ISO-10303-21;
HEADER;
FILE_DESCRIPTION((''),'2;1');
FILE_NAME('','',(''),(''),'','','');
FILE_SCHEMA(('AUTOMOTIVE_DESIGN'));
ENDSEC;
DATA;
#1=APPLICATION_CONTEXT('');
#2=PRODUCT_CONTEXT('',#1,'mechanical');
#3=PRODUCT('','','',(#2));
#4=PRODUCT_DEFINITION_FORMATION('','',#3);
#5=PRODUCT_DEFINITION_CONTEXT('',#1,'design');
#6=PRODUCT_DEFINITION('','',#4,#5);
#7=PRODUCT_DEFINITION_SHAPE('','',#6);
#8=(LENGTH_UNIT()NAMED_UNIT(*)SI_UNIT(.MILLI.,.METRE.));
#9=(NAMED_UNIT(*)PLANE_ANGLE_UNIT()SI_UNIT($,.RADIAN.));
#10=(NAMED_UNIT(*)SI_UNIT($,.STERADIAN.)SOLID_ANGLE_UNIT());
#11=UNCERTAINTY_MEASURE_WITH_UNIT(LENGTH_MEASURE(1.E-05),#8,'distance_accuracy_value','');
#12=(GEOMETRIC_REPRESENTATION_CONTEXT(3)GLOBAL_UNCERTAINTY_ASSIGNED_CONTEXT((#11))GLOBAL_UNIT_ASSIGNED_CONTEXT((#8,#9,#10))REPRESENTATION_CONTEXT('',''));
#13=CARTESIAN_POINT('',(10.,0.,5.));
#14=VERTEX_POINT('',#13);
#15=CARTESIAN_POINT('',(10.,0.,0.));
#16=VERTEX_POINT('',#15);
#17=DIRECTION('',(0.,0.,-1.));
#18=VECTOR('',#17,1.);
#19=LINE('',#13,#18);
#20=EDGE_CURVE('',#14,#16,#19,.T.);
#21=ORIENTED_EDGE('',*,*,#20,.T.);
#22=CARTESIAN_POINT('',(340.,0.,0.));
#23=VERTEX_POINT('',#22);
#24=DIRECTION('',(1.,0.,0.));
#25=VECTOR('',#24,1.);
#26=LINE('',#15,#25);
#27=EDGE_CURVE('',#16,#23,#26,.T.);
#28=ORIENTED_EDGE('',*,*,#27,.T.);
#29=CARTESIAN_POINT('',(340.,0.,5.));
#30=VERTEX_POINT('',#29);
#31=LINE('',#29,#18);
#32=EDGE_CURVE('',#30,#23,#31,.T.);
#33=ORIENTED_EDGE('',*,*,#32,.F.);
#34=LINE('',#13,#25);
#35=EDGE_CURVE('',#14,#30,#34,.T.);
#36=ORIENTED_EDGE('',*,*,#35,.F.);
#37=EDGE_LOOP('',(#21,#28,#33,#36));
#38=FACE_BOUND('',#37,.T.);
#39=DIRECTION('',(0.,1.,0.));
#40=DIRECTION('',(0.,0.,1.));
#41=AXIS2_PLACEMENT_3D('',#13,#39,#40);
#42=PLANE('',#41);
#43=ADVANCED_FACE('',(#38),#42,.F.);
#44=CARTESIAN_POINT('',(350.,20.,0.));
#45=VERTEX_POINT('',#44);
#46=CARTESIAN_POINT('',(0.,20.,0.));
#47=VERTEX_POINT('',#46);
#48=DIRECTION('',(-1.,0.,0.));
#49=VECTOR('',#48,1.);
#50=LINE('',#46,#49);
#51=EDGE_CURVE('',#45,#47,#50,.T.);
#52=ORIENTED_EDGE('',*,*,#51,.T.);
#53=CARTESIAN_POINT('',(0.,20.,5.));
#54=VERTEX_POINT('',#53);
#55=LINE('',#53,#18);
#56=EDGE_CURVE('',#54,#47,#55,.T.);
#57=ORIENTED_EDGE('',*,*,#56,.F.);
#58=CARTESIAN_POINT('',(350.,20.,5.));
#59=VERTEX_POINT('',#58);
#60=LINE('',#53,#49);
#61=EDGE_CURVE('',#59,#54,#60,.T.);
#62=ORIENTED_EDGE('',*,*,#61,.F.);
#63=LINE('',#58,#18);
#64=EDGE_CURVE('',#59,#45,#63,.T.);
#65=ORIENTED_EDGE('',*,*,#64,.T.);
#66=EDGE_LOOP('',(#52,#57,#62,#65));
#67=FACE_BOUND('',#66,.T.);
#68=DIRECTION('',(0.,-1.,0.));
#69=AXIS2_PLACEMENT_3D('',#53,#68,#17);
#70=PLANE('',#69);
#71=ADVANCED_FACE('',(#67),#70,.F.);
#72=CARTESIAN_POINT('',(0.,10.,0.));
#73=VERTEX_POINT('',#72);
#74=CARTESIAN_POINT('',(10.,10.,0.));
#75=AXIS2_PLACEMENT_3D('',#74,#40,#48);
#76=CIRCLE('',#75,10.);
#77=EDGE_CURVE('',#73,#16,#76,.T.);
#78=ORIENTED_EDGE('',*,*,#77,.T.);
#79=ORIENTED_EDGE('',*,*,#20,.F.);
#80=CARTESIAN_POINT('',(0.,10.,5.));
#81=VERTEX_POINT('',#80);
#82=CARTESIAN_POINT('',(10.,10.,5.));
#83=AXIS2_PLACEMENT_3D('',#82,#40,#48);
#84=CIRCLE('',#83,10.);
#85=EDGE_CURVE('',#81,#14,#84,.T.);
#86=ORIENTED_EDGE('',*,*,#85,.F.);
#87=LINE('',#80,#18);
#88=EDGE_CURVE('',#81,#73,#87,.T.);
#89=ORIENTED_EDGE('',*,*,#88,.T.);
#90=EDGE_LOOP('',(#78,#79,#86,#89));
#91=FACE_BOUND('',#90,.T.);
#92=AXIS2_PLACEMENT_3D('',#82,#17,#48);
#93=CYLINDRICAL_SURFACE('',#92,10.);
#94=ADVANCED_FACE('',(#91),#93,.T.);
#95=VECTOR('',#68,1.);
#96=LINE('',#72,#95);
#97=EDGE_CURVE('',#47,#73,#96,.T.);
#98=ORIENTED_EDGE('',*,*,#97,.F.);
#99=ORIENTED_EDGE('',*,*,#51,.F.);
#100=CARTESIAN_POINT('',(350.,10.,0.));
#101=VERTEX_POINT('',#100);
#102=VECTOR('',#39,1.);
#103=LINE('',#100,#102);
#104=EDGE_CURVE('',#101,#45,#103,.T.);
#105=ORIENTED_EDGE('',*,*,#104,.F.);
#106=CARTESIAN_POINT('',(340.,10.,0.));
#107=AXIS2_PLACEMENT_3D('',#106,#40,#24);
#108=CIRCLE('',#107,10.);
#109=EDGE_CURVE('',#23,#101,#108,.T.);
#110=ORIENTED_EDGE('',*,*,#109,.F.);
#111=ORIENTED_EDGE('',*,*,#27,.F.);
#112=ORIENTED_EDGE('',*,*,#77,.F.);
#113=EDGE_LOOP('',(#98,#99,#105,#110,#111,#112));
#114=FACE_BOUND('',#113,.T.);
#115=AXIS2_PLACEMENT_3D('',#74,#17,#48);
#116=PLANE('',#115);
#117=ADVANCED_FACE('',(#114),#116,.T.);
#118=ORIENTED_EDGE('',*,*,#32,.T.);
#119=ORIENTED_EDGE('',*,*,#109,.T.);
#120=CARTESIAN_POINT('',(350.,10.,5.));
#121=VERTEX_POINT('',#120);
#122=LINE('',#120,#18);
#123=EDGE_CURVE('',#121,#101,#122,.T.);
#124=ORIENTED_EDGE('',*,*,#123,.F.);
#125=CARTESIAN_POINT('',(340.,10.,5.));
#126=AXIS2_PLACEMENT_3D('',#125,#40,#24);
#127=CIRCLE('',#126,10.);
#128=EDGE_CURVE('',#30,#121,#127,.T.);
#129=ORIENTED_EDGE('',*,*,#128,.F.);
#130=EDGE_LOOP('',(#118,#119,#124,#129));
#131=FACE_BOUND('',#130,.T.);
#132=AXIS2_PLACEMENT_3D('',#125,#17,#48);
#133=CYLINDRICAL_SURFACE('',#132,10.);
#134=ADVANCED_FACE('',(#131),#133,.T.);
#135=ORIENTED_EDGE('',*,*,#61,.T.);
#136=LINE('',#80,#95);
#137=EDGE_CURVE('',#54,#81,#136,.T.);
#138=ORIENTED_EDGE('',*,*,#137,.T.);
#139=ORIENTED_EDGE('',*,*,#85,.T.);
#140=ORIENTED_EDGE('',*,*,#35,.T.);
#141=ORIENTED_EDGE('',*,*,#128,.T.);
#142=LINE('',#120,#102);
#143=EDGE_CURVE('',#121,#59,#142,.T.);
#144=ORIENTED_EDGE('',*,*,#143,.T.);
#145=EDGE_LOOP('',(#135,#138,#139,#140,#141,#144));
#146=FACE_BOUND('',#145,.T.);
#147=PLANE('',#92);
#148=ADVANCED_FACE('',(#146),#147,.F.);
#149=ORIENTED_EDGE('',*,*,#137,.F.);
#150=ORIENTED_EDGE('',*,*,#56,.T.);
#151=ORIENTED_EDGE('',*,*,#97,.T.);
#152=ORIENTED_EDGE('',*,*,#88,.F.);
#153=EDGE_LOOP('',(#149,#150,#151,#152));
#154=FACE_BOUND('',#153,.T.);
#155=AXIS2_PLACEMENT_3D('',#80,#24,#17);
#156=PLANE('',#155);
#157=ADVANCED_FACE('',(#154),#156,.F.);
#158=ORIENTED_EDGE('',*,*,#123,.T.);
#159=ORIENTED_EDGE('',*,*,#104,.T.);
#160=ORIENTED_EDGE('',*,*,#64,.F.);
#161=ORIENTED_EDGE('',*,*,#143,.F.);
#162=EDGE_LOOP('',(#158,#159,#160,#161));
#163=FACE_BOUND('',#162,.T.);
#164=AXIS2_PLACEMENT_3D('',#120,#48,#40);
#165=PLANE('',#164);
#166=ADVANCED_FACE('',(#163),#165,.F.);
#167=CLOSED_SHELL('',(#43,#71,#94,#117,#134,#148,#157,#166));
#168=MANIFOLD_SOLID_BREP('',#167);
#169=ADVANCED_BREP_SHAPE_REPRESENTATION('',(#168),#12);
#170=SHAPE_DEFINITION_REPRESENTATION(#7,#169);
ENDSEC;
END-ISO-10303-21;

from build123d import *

# Parameters (mm, degrees)
BOSS_EXTRU_1_DEPTH = 5


with BuildPart() as part:
    # Esquisse1 → Boss.-Extru.1 (new body)
    with BuildSketch(Plane.XY):
        with BuildLine():
            Line((10, 0), (340, 0))
            ThreePointArc((340, 0), (347.071067812, 2.928932188), (350, 10))
            Line((350, 10), (350, 20))
            Line((350, 20), (0, 20))
            Line((0, 20), (0, 10))
            ThreePointArc((0, 10), (2.928932188, 2.928932188), (10, 0))
        make_face()
    extrude(amount=BOSS_EXTRU_1_DEPTH)


solid = part.part
